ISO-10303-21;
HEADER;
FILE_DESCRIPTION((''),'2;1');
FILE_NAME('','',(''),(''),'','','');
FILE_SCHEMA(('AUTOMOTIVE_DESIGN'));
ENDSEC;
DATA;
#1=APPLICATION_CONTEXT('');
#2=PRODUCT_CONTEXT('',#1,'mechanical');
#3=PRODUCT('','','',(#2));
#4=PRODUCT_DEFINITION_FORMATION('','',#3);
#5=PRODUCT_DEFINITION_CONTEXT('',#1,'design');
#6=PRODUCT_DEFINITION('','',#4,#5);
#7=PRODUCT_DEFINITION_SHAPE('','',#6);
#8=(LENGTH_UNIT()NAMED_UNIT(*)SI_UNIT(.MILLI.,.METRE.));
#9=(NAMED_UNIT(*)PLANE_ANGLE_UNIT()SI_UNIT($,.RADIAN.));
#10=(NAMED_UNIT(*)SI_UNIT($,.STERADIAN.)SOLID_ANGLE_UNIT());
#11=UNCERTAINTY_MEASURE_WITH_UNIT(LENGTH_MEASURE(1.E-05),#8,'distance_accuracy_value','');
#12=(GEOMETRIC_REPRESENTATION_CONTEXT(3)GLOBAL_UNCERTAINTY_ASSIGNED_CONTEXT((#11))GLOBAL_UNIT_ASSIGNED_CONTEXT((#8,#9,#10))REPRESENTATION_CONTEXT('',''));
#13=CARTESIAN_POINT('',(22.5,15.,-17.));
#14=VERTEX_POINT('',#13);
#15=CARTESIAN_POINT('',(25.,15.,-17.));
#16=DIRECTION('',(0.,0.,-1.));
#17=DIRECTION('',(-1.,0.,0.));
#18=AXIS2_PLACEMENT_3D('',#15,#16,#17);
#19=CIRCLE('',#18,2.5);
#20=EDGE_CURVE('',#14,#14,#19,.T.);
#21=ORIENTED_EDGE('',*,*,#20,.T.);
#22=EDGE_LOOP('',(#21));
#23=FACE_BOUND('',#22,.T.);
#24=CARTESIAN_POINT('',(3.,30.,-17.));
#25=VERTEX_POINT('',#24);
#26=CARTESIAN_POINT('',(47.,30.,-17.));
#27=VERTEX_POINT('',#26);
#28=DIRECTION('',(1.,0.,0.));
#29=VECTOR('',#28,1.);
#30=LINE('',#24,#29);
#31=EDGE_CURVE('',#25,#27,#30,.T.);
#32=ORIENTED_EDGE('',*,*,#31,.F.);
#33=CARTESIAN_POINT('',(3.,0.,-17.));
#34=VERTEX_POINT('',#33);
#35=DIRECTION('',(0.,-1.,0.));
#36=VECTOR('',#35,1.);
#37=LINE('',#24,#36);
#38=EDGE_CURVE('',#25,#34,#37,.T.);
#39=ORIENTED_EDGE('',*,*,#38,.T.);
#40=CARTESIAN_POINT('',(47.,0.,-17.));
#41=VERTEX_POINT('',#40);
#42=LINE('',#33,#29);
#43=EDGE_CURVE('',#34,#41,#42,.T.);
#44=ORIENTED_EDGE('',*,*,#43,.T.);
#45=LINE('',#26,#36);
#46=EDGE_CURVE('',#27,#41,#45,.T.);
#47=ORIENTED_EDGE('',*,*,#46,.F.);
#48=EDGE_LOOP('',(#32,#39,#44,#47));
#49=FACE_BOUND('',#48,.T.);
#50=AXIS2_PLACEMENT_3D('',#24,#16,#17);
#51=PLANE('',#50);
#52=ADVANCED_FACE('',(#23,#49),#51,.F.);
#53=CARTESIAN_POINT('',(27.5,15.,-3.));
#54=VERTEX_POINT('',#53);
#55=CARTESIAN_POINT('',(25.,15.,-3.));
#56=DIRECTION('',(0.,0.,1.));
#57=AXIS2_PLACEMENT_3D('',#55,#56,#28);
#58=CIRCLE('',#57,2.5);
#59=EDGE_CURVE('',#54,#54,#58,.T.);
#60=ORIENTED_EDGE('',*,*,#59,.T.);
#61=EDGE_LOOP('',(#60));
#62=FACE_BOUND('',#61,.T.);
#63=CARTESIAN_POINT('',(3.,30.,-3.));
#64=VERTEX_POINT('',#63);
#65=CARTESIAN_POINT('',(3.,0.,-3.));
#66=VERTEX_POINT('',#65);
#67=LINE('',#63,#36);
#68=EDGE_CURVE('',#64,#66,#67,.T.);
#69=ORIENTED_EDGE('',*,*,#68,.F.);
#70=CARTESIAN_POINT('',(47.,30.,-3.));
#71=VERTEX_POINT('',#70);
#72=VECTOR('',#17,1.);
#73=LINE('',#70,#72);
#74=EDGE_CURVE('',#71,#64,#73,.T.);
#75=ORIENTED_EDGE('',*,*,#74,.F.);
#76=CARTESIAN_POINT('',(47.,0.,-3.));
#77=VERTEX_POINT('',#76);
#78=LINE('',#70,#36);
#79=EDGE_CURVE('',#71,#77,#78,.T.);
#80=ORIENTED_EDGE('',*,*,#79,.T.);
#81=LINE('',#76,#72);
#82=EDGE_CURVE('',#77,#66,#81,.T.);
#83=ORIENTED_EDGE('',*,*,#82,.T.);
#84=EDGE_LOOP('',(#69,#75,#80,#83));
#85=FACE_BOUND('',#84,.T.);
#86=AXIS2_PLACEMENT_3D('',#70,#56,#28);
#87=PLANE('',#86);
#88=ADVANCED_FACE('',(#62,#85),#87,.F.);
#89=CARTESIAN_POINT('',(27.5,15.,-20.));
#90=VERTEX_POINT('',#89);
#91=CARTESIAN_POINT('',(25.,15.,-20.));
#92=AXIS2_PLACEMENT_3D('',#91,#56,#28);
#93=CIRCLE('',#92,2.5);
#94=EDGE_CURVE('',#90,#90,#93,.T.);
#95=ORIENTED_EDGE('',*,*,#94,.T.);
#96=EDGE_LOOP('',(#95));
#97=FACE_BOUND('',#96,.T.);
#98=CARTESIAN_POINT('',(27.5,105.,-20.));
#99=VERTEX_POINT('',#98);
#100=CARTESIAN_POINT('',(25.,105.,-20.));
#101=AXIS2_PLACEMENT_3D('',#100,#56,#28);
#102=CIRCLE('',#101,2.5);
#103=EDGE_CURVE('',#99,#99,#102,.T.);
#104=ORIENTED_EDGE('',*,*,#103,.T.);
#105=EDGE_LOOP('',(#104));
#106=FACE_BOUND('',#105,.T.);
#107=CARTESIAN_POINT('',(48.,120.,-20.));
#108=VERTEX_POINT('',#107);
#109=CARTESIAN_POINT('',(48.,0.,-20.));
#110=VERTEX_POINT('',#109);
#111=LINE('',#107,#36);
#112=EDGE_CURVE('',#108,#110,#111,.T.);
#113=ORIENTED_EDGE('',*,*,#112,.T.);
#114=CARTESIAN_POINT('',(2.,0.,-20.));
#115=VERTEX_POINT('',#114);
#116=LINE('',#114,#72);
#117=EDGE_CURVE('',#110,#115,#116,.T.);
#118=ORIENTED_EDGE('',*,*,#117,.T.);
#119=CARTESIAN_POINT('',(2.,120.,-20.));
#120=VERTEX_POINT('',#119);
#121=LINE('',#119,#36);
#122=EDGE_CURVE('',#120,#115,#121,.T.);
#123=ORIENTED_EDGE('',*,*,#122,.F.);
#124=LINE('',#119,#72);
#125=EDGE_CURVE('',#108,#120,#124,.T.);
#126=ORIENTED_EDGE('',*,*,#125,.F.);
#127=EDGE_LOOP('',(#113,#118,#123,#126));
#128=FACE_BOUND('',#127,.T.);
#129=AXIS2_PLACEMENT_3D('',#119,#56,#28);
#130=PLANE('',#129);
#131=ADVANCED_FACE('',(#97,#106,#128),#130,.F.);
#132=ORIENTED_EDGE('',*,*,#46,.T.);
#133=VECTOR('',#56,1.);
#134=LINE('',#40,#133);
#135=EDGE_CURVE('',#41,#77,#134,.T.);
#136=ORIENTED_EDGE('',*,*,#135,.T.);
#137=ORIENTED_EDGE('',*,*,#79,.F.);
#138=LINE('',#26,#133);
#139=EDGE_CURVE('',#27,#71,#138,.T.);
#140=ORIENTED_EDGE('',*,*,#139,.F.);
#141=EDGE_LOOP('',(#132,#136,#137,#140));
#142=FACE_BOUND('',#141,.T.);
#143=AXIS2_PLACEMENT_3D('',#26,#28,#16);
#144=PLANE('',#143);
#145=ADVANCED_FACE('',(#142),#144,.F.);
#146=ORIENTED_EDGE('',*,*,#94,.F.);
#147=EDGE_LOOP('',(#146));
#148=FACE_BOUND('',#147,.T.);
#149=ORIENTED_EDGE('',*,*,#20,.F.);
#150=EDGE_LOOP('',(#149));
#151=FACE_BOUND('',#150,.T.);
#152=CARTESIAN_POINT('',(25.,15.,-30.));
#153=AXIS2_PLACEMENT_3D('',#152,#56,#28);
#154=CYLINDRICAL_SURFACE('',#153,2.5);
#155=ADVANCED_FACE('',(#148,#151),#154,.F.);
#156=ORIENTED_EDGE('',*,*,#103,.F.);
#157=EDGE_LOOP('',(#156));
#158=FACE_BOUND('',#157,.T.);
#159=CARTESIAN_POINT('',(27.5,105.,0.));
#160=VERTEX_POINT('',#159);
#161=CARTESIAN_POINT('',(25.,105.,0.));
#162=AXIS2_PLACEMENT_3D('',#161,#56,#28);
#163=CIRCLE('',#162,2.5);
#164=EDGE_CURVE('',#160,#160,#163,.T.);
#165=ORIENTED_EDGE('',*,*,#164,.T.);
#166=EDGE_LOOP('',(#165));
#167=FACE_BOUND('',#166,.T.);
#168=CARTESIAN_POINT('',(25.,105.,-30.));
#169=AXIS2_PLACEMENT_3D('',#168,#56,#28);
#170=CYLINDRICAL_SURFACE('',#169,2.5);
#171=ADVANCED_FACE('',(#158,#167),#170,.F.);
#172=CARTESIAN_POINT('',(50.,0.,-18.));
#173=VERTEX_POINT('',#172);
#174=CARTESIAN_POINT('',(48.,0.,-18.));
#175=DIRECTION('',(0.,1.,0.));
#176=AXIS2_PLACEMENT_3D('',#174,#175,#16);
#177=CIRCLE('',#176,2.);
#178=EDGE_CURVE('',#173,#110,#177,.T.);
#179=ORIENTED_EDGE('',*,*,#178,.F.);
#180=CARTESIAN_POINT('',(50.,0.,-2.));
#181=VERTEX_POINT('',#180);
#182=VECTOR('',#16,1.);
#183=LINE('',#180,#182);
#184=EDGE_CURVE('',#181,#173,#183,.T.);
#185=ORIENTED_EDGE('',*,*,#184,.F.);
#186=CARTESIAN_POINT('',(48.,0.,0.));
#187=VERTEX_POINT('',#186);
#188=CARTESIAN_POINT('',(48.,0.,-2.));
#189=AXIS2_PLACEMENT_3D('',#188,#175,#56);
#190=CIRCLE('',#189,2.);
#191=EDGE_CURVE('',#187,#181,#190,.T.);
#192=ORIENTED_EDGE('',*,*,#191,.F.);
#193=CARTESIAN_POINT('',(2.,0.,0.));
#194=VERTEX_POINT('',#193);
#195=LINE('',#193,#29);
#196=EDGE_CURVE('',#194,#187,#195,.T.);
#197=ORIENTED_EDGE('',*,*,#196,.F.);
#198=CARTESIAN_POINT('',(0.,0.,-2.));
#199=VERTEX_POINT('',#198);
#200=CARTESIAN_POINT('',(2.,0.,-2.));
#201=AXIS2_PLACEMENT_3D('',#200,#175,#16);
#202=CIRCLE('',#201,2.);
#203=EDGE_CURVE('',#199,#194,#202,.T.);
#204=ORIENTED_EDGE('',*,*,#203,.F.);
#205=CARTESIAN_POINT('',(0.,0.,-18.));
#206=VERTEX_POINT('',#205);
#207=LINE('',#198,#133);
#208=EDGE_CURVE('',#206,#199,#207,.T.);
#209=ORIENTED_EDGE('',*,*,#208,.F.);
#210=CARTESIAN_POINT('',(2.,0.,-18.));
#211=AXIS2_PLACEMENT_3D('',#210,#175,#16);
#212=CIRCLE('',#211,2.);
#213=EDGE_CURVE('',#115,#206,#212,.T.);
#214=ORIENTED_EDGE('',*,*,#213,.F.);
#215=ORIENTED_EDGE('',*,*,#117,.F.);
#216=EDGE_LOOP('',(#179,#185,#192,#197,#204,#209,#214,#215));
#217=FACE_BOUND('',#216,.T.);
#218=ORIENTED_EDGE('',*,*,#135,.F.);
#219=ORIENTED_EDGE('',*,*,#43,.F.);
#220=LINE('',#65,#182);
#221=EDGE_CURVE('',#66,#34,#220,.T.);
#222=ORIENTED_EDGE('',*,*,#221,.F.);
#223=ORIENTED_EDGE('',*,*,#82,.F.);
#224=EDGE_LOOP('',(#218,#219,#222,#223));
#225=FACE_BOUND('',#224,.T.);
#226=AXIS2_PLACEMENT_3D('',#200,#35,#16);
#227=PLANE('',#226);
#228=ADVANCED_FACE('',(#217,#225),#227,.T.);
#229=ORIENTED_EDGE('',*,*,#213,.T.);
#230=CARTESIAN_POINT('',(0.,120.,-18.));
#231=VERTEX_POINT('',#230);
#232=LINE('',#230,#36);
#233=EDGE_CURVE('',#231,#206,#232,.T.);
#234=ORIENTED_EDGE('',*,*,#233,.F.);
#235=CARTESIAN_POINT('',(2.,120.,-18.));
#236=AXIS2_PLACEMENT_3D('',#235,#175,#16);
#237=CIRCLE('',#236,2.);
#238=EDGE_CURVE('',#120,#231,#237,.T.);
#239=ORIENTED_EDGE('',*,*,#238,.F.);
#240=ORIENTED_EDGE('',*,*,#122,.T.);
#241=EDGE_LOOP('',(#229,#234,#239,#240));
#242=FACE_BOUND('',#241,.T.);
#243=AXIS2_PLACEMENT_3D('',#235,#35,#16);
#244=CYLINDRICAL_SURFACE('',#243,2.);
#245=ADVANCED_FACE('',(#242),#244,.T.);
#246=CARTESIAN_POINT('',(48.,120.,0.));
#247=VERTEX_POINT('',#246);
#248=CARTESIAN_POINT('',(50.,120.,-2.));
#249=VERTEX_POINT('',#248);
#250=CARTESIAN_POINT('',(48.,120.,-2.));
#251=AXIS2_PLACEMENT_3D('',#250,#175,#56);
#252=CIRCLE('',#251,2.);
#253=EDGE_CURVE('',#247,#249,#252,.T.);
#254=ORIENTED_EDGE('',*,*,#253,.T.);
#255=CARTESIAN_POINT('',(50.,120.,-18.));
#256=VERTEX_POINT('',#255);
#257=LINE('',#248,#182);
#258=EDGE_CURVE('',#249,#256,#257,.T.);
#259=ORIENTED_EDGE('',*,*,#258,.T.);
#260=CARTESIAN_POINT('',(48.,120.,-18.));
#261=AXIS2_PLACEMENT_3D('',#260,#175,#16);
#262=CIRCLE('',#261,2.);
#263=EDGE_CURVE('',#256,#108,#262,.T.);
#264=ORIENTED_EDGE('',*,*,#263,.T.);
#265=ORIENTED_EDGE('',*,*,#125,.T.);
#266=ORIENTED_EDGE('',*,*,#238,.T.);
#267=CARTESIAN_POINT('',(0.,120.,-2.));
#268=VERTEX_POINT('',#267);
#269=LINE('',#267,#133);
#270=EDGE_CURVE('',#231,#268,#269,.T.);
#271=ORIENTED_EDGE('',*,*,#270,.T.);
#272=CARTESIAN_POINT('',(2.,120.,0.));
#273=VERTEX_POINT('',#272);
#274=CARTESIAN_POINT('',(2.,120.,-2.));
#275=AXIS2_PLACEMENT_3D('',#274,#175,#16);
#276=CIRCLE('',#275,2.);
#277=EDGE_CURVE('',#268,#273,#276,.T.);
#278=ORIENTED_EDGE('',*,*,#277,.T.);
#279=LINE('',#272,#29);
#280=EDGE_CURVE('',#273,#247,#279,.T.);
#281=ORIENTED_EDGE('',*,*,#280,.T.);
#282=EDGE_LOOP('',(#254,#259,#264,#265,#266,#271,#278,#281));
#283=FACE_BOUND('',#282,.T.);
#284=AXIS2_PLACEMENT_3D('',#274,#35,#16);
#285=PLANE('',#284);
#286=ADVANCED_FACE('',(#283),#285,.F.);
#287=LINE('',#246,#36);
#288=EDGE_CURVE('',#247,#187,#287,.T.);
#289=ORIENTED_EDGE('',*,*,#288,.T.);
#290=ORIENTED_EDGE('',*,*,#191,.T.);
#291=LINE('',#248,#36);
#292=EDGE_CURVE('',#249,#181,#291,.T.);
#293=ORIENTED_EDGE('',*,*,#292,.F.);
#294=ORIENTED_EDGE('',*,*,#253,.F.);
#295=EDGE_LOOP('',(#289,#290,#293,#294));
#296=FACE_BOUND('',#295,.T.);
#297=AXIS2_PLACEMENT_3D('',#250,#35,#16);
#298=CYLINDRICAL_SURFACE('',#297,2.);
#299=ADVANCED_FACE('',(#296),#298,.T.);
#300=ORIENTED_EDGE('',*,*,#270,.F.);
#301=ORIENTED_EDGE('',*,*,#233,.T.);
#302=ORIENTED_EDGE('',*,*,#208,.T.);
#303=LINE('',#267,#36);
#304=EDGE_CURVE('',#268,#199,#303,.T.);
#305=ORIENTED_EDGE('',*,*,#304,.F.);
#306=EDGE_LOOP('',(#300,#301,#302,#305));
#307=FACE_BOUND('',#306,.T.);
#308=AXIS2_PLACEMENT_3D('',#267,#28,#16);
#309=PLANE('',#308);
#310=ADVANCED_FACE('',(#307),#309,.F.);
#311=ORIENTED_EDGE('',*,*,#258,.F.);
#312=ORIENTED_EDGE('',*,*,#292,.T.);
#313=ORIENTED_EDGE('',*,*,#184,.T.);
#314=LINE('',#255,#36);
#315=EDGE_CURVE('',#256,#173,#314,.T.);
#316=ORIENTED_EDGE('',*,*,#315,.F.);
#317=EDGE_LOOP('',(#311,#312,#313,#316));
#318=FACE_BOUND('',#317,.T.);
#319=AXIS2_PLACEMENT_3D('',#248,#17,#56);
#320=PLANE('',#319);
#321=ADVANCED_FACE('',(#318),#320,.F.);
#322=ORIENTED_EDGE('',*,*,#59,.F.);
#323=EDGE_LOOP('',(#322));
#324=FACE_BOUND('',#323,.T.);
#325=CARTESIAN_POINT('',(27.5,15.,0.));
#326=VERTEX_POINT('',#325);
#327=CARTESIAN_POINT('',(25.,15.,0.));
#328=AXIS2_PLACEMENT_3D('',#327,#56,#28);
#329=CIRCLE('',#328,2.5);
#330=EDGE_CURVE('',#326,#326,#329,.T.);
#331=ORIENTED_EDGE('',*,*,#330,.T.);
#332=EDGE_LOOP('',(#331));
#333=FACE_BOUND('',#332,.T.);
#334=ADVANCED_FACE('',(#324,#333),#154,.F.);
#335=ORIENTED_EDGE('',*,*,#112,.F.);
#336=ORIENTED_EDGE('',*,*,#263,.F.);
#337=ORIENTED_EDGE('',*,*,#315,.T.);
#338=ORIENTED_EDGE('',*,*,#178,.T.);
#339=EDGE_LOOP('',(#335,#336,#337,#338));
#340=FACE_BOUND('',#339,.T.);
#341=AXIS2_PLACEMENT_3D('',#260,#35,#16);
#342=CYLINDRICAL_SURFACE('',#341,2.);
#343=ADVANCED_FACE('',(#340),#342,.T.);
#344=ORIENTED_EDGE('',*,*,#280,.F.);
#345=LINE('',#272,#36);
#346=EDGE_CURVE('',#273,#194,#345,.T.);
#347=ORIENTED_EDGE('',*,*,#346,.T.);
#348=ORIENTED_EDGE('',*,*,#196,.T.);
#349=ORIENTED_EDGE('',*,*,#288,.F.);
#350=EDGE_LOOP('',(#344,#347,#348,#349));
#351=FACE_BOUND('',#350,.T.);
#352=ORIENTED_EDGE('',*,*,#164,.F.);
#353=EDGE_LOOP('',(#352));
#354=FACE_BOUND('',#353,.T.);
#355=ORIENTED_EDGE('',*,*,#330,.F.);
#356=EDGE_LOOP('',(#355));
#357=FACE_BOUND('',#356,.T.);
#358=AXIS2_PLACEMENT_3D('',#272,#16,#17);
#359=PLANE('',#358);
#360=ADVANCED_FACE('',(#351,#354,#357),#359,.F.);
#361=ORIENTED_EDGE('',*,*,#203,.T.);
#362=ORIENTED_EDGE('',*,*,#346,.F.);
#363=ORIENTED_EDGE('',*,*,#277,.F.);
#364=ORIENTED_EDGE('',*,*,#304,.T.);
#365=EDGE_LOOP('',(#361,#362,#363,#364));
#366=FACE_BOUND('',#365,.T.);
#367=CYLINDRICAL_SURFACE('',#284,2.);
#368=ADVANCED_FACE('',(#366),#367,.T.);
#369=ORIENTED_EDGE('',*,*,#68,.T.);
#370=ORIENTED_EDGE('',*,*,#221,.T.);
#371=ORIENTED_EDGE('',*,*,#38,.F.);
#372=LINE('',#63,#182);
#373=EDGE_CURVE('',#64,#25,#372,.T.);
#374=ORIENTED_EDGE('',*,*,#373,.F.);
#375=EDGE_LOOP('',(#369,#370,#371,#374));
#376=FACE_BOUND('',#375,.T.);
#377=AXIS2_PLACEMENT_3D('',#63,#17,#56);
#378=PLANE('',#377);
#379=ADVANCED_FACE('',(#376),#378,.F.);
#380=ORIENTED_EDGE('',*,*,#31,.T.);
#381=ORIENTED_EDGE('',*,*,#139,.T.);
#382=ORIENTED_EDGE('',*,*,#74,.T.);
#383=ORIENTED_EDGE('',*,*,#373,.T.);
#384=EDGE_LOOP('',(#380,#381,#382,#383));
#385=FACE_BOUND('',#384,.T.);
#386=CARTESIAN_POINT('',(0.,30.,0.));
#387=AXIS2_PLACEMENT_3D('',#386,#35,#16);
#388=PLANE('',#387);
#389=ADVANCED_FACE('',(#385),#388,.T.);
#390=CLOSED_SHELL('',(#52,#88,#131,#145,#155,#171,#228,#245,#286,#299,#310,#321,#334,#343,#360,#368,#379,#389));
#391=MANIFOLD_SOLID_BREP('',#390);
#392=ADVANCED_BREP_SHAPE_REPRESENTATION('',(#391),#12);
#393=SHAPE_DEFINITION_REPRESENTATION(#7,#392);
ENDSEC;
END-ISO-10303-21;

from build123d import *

# Parameters (mm, degrees)
BOSS_EXTRUDE1_DEPTH = 120
SKETCH3_W           = 44
SKETCH3_H           = 14
CUT_EXTRUDE2_DEPTH  = 30
SKETCH6_R           = 2.5
CUT_EXTRUDE3_DEPTH  = 30


with BuildPart() as part:
    # Sketch1 → Boss-Extrude1 (new body)
    with BuildSketch(Plane(origin=(0, 0, 0), x_dir=(1, 0, 0), z_dir=(0, 1, 0))):
        with BuildLine():
            Line((2, 0), (48, 0))
            ThreePointArc((48, 0), (49.414213562, 0.585786438), (50, 2))
            Line((50, 2), (50, 18))
            ThreePointArc((50, 18), (49.414213562, 19.414213562), (48, 20))
            Line((48, 20), (2, 20))
            ThreePointArc((2, 20), (0.585786438, 19.414213562), (0, 18))
            Line((0, 18), (0, 2))
            ThreePointArc((0, 2), (0.585786438, 0.585786438), (2, 0))
        make_face()
    extrude(amount=BOSS_EXTRUDE1_DEPTH)

    # Sketch3 → Cut-Extrude2 (cut)
    with BuildSketch(Plane.XZ):
        with Locations((25, -10)):
            Rectangle(SKETCH3_W, SKETCH3_H)
    extrude(amount=-CUT_EXTRUDE2_DEPTH, mode=Mode.SUBTRACT)

    # Sketch6 → Cut-Extrude3 (cut)
    with BuildSketch(Plane.XY):
        with Locations((25, 105)):
            Circle(SKETCH6_R)
        with Locations((25, 15)):
            Circle(SKETCH6_R)
    extrude(amount=-CUT_EXTRUDE3_DEPTH, mode=Mode.SUBTRACT)


solid = part.part
